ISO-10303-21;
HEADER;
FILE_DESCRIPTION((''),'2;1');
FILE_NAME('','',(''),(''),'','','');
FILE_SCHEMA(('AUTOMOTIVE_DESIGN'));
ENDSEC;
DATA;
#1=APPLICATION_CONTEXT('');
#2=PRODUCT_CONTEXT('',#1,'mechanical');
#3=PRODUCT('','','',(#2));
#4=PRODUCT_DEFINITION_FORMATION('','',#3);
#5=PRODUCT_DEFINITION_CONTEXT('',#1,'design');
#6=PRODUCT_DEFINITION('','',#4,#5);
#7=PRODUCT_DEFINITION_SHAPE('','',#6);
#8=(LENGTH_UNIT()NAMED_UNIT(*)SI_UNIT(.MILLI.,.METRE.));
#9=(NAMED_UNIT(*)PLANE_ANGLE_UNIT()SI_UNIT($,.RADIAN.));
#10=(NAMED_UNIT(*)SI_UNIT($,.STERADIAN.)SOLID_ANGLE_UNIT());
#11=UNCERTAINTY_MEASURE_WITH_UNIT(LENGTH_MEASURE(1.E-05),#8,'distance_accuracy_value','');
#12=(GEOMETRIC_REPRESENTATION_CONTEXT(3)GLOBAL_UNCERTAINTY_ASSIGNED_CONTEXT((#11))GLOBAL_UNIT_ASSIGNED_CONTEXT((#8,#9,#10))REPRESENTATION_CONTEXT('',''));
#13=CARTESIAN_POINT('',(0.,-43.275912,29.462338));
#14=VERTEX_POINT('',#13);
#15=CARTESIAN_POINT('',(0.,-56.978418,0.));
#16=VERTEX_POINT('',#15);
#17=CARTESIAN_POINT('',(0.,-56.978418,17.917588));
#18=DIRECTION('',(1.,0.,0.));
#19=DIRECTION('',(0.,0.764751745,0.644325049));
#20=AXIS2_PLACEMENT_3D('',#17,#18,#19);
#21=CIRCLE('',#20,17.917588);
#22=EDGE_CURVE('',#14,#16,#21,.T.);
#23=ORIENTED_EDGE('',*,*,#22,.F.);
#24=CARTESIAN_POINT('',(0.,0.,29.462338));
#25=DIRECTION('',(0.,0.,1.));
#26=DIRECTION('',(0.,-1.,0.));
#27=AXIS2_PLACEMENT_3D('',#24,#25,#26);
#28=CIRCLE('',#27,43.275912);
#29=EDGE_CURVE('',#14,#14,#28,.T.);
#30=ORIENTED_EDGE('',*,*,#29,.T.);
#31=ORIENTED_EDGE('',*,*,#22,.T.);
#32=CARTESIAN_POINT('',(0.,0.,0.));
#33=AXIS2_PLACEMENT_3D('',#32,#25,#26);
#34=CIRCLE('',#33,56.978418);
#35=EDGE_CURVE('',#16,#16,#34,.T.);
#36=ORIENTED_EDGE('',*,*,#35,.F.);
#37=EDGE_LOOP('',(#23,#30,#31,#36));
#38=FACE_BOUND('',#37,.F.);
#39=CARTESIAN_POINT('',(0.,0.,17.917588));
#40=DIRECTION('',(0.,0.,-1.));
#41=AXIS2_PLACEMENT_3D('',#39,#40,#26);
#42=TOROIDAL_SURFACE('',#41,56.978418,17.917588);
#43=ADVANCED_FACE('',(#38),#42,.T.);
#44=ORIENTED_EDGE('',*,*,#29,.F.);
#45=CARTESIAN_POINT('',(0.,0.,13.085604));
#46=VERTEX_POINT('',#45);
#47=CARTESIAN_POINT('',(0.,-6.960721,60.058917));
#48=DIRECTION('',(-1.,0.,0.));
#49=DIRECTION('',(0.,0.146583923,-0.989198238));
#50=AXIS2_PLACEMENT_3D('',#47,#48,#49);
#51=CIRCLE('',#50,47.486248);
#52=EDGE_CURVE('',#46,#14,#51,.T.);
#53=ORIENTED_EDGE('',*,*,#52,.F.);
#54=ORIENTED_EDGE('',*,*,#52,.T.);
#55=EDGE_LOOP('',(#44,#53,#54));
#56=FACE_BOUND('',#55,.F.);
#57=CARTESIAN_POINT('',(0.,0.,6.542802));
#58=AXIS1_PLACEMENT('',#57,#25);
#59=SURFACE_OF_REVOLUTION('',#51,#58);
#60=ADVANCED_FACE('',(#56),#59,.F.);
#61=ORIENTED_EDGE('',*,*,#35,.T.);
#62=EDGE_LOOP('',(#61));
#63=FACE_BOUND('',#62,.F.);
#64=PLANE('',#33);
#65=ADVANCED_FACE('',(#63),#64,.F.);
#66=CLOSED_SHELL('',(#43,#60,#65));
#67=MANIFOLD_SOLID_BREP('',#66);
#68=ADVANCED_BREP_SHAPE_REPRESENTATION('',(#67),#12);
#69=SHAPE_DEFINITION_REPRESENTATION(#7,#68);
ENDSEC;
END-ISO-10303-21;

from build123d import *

# Parameters (mm, degrees)
F0_R = 13.015978


with BuildPart() as f1:
    # F0 (on Right) → F1 (revolve)
    with BuildSketch(Plane.YZ):
        with BuildLine():
            Line((-56.978418, 0), (0, 0))
            Line((0, 0), (0, 13.085604))
            ThreePointArc((0, 13.085604), (-23.767582, 15.646383), (-43.275912, 29.462338))
            ThreePointArc((-43.275912, 29.462338), (-73.224864, 25.473575), (-56.978418, 0))
        make_face()
        with Locations((-56.978418, 17.917588)):
            Circle(F0_R, mode=Mode.SUBTRACT)
        with Locations((-56.978418, 17.917588)):
            Circle(F0_R)
    revolve(axis=Axis((0, 0, 6.542802), (0, 0, 1)))


solid = f1.part
